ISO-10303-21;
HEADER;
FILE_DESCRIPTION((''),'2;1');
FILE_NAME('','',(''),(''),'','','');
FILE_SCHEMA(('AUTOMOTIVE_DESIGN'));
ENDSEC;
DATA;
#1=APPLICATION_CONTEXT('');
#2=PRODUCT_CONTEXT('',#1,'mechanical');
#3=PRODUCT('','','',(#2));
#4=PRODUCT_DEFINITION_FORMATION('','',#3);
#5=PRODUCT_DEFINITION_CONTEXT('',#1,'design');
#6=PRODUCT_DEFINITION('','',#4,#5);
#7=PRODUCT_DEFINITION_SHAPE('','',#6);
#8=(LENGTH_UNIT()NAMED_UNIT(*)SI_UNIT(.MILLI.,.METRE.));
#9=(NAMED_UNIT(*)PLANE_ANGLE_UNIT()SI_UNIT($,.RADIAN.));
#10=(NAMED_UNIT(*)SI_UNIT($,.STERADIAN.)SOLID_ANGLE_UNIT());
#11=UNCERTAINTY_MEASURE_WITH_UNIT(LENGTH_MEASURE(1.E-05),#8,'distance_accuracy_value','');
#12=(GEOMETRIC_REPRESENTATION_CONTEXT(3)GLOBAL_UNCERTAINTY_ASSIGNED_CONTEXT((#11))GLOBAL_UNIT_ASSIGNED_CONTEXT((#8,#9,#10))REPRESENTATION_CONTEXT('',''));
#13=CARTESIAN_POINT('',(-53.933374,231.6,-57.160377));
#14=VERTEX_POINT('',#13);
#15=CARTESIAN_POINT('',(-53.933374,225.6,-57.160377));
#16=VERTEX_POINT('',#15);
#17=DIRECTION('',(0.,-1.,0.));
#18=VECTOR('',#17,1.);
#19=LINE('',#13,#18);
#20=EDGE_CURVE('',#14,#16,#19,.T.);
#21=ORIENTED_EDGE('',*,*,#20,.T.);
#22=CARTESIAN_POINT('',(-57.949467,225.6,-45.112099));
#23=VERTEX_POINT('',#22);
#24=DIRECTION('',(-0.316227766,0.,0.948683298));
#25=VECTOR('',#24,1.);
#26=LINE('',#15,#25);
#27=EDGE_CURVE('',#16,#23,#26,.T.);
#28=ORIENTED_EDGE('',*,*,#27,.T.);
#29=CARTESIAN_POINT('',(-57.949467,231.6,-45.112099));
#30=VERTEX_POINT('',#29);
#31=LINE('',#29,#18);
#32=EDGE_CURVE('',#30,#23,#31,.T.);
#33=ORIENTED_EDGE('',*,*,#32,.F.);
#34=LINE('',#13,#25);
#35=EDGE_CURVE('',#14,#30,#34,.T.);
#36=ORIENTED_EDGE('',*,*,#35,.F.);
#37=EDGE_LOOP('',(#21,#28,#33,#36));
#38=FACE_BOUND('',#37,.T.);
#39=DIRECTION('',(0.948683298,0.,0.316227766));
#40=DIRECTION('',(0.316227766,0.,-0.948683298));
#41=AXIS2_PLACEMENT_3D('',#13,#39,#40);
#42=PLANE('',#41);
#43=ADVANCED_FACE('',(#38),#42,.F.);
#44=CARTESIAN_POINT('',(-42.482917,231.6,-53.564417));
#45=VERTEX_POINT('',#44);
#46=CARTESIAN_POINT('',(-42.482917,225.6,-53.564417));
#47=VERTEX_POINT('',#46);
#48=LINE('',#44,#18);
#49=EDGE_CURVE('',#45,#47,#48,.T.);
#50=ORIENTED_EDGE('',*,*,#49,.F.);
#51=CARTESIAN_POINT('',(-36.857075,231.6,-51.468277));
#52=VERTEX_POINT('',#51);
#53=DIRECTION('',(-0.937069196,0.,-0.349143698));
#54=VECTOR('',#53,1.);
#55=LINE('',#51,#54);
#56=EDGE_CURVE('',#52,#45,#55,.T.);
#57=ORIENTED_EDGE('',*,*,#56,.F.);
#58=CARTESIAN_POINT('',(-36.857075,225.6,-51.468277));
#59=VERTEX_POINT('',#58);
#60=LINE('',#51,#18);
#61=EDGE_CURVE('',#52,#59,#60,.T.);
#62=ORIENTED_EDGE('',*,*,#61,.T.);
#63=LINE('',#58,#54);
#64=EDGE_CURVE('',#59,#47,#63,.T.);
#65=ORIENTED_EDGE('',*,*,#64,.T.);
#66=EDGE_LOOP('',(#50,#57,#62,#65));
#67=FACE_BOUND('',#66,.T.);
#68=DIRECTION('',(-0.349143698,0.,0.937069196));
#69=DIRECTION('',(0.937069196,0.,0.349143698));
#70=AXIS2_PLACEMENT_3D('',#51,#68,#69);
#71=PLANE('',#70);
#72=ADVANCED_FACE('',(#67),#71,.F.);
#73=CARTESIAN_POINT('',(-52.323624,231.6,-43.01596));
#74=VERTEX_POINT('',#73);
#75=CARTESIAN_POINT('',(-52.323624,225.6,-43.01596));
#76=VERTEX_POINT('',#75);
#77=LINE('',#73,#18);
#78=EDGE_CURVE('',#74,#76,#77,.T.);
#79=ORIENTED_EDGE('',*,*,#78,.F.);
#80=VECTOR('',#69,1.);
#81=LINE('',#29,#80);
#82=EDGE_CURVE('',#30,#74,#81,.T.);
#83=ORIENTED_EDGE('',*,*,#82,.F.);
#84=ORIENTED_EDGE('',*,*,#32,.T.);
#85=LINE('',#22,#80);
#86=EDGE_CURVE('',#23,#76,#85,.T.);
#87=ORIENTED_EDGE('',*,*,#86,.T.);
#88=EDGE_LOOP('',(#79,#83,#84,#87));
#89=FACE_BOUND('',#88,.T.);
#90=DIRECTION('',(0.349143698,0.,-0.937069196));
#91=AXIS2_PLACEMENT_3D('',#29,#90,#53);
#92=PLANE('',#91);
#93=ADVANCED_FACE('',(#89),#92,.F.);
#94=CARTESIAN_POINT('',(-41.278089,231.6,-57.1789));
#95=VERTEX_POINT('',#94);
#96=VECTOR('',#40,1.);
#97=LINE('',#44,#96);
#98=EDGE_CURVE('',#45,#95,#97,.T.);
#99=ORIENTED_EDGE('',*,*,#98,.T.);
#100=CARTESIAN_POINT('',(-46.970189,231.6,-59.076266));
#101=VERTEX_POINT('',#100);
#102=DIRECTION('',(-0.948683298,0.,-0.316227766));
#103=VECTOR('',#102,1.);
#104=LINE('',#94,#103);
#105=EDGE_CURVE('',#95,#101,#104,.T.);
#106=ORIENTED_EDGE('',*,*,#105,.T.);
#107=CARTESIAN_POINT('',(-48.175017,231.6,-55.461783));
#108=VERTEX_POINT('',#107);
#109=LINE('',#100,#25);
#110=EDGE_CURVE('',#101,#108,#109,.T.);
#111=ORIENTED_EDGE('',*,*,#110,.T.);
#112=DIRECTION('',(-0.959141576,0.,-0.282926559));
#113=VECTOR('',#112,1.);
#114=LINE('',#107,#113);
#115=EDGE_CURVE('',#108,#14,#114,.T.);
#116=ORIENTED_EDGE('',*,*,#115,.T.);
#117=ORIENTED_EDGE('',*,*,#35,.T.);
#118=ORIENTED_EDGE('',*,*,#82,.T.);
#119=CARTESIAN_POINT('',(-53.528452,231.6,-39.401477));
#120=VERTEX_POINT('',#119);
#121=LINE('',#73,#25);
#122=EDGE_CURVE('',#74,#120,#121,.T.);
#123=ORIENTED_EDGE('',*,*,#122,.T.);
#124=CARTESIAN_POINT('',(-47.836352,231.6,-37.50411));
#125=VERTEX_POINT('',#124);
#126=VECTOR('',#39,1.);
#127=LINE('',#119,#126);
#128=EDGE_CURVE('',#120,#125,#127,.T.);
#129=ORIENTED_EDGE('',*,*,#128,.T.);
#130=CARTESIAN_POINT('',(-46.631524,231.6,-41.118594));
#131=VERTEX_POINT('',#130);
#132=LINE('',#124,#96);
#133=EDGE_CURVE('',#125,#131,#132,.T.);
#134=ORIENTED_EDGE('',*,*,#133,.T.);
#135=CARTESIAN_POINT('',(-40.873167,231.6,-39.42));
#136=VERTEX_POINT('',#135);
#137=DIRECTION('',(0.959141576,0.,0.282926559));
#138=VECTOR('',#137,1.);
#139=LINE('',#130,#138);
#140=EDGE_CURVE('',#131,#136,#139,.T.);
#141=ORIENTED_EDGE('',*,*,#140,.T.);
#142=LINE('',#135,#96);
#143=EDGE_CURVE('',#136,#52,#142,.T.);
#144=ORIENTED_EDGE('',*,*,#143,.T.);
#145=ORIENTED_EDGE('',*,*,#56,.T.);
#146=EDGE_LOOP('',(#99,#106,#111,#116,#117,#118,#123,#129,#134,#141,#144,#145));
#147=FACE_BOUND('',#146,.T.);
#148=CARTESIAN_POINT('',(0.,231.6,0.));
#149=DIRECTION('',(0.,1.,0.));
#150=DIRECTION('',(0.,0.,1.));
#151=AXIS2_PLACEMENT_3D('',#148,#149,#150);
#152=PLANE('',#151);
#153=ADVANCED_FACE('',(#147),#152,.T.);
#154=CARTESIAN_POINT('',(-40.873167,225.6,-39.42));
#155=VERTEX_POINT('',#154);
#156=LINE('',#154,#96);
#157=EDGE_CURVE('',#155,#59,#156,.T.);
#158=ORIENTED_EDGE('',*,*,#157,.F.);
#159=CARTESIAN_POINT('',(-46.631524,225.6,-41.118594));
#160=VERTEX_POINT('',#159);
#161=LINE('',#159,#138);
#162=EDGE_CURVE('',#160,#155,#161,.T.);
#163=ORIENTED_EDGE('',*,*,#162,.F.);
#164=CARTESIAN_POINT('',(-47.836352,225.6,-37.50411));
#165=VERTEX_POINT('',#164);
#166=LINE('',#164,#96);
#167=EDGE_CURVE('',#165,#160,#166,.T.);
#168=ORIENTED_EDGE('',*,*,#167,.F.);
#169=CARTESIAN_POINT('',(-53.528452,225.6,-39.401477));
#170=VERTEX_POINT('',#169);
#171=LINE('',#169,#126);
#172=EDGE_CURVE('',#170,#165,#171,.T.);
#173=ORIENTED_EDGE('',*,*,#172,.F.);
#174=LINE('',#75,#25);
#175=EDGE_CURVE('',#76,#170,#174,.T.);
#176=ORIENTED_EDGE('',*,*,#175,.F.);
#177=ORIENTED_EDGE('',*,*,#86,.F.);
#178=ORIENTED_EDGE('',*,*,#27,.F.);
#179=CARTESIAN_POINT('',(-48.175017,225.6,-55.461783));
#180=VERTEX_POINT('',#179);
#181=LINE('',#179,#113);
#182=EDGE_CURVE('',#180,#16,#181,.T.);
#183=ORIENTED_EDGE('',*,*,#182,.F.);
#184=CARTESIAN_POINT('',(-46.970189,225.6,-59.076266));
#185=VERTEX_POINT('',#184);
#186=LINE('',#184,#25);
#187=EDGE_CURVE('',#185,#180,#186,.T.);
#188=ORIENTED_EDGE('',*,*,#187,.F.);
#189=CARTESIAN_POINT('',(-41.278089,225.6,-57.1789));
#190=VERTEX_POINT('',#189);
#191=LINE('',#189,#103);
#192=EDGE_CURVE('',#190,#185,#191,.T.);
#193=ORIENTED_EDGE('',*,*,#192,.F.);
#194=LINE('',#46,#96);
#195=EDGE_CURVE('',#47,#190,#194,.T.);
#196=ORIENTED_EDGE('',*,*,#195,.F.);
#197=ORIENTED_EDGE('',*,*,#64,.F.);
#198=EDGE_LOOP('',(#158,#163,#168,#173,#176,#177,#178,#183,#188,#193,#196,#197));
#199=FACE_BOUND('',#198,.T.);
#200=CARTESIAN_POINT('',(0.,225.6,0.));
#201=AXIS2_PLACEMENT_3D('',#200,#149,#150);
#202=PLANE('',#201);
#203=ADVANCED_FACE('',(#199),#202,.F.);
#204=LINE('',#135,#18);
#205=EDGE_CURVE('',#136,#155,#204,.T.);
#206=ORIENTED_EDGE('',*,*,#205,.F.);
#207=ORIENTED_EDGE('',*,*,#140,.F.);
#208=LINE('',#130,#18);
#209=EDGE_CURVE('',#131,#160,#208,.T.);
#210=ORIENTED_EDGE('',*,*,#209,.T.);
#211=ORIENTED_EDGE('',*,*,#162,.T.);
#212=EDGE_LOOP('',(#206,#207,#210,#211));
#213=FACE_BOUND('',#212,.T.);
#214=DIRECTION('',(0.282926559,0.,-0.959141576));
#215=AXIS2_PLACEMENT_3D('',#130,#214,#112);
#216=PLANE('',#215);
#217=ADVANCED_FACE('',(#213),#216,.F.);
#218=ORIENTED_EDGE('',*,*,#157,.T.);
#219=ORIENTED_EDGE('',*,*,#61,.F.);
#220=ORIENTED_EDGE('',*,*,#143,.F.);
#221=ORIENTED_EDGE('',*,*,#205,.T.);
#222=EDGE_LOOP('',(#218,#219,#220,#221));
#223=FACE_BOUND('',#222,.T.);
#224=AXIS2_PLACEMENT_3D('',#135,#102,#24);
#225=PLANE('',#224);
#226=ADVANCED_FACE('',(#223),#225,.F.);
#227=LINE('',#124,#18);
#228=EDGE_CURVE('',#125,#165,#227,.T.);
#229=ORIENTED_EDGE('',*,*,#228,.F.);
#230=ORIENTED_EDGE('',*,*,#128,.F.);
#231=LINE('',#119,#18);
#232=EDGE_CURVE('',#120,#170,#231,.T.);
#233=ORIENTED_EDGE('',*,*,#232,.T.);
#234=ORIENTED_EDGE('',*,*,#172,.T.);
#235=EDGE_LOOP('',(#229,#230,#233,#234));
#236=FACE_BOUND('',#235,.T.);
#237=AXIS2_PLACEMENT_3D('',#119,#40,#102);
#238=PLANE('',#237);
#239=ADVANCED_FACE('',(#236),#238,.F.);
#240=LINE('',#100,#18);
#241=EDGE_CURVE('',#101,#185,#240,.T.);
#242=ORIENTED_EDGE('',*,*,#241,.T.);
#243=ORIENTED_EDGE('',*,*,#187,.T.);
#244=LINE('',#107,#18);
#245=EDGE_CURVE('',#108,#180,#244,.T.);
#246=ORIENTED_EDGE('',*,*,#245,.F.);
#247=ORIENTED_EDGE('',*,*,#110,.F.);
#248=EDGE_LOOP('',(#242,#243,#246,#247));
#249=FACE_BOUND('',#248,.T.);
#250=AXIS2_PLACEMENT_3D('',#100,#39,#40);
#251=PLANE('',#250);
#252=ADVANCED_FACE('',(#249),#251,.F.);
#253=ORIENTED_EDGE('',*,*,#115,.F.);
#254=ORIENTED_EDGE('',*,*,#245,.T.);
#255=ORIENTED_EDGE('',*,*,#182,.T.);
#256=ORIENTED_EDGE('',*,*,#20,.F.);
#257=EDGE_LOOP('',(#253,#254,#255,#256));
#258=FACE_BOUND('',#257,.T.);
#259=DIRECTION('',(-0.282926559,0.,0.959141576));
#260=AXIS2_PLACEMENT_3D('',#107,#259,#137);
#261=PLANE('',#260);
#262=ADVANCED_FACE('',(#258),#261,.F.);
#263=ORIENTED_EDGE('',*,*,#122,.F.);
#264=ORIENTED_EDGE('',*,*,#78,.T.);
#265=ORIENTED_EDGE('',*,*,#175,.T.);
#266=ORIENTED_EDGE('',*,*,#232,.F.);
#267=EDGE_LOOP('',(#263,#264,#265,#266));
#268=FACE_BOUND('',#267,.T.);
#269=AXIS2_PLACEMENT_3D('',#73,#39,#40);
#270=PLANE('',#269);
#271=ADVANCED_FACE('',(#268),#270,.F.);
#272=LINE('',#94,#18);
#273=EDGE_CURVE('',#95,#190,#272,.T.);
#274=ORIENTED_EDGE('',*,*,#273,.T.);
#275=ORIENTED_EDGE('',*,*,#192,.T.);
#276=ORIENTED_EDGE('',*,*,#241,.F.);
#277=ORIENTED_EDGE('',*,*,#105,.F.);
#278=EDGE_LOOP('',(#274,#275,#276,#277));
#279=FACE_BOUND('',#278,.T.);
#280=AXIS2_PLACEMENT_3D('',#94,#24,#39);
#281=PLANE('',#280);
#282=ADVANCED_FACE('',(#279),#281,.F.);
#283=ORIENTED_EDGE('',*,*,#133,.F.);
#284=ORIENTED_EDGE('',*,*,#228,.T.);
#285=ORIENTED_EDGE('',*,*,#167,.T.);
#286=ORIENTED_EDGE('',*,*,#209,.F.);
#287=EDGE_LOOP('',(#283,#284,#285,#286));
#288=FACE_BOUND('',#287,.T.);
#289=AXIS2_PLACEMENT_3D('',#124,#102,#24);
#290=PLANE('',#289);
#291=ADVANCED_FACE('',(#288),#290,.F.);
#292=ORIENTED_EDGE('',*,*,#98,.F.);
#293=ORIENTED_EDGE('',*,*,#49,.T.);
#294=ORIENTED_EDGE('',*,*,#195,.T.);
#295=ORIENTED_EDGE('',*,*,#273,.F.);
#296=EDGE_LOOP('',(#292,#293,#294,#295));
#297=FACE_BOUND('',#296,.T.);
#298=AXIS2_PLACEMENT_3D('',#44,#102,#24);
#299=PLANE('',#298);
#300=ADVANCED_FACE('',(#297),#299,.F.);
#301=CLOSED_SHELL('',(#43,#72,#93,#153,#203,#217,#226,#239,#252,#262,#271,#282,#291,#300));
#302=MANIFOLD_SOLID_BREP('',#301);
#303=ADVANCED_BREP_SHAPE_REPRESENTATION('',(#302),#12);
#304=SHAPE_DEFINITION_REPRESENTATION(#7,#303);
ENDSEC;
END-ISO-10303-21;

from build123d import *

# Parameters (mm, degrees)
BOSS_EXTRUDE1_DEPTH = 3


with BuildPart() as part:
    # Sketch1 → Boss-Extrude1 (new, symmetric)
    with BuildSketch(Plane(origin=(0, 228.6, 0), x_dir=(1, 0, 0), z_dir=(0, 1, 0))):
        Polygon((-41.278089048, 57.178899874), (-46.970188837, 59.07626647), (-48.175016625, 55.461783105), (-53.933373915, 57.160377196), (-57.949466544, 45.112099311), (-52.323624257, 43.01596021), (-53.528452045, 39.401476845), (-47.836352257, 37.504110248), (-46.631524468, 41.118593614), (-40.873167179, 39.419999523), (-36.85707455, 51.468277408), (-42.482916837, 53.564416509), align=None)
    extrude(amount=BOSS_EXTRUDE1_DEPTH, both=True)


solid = part.part
